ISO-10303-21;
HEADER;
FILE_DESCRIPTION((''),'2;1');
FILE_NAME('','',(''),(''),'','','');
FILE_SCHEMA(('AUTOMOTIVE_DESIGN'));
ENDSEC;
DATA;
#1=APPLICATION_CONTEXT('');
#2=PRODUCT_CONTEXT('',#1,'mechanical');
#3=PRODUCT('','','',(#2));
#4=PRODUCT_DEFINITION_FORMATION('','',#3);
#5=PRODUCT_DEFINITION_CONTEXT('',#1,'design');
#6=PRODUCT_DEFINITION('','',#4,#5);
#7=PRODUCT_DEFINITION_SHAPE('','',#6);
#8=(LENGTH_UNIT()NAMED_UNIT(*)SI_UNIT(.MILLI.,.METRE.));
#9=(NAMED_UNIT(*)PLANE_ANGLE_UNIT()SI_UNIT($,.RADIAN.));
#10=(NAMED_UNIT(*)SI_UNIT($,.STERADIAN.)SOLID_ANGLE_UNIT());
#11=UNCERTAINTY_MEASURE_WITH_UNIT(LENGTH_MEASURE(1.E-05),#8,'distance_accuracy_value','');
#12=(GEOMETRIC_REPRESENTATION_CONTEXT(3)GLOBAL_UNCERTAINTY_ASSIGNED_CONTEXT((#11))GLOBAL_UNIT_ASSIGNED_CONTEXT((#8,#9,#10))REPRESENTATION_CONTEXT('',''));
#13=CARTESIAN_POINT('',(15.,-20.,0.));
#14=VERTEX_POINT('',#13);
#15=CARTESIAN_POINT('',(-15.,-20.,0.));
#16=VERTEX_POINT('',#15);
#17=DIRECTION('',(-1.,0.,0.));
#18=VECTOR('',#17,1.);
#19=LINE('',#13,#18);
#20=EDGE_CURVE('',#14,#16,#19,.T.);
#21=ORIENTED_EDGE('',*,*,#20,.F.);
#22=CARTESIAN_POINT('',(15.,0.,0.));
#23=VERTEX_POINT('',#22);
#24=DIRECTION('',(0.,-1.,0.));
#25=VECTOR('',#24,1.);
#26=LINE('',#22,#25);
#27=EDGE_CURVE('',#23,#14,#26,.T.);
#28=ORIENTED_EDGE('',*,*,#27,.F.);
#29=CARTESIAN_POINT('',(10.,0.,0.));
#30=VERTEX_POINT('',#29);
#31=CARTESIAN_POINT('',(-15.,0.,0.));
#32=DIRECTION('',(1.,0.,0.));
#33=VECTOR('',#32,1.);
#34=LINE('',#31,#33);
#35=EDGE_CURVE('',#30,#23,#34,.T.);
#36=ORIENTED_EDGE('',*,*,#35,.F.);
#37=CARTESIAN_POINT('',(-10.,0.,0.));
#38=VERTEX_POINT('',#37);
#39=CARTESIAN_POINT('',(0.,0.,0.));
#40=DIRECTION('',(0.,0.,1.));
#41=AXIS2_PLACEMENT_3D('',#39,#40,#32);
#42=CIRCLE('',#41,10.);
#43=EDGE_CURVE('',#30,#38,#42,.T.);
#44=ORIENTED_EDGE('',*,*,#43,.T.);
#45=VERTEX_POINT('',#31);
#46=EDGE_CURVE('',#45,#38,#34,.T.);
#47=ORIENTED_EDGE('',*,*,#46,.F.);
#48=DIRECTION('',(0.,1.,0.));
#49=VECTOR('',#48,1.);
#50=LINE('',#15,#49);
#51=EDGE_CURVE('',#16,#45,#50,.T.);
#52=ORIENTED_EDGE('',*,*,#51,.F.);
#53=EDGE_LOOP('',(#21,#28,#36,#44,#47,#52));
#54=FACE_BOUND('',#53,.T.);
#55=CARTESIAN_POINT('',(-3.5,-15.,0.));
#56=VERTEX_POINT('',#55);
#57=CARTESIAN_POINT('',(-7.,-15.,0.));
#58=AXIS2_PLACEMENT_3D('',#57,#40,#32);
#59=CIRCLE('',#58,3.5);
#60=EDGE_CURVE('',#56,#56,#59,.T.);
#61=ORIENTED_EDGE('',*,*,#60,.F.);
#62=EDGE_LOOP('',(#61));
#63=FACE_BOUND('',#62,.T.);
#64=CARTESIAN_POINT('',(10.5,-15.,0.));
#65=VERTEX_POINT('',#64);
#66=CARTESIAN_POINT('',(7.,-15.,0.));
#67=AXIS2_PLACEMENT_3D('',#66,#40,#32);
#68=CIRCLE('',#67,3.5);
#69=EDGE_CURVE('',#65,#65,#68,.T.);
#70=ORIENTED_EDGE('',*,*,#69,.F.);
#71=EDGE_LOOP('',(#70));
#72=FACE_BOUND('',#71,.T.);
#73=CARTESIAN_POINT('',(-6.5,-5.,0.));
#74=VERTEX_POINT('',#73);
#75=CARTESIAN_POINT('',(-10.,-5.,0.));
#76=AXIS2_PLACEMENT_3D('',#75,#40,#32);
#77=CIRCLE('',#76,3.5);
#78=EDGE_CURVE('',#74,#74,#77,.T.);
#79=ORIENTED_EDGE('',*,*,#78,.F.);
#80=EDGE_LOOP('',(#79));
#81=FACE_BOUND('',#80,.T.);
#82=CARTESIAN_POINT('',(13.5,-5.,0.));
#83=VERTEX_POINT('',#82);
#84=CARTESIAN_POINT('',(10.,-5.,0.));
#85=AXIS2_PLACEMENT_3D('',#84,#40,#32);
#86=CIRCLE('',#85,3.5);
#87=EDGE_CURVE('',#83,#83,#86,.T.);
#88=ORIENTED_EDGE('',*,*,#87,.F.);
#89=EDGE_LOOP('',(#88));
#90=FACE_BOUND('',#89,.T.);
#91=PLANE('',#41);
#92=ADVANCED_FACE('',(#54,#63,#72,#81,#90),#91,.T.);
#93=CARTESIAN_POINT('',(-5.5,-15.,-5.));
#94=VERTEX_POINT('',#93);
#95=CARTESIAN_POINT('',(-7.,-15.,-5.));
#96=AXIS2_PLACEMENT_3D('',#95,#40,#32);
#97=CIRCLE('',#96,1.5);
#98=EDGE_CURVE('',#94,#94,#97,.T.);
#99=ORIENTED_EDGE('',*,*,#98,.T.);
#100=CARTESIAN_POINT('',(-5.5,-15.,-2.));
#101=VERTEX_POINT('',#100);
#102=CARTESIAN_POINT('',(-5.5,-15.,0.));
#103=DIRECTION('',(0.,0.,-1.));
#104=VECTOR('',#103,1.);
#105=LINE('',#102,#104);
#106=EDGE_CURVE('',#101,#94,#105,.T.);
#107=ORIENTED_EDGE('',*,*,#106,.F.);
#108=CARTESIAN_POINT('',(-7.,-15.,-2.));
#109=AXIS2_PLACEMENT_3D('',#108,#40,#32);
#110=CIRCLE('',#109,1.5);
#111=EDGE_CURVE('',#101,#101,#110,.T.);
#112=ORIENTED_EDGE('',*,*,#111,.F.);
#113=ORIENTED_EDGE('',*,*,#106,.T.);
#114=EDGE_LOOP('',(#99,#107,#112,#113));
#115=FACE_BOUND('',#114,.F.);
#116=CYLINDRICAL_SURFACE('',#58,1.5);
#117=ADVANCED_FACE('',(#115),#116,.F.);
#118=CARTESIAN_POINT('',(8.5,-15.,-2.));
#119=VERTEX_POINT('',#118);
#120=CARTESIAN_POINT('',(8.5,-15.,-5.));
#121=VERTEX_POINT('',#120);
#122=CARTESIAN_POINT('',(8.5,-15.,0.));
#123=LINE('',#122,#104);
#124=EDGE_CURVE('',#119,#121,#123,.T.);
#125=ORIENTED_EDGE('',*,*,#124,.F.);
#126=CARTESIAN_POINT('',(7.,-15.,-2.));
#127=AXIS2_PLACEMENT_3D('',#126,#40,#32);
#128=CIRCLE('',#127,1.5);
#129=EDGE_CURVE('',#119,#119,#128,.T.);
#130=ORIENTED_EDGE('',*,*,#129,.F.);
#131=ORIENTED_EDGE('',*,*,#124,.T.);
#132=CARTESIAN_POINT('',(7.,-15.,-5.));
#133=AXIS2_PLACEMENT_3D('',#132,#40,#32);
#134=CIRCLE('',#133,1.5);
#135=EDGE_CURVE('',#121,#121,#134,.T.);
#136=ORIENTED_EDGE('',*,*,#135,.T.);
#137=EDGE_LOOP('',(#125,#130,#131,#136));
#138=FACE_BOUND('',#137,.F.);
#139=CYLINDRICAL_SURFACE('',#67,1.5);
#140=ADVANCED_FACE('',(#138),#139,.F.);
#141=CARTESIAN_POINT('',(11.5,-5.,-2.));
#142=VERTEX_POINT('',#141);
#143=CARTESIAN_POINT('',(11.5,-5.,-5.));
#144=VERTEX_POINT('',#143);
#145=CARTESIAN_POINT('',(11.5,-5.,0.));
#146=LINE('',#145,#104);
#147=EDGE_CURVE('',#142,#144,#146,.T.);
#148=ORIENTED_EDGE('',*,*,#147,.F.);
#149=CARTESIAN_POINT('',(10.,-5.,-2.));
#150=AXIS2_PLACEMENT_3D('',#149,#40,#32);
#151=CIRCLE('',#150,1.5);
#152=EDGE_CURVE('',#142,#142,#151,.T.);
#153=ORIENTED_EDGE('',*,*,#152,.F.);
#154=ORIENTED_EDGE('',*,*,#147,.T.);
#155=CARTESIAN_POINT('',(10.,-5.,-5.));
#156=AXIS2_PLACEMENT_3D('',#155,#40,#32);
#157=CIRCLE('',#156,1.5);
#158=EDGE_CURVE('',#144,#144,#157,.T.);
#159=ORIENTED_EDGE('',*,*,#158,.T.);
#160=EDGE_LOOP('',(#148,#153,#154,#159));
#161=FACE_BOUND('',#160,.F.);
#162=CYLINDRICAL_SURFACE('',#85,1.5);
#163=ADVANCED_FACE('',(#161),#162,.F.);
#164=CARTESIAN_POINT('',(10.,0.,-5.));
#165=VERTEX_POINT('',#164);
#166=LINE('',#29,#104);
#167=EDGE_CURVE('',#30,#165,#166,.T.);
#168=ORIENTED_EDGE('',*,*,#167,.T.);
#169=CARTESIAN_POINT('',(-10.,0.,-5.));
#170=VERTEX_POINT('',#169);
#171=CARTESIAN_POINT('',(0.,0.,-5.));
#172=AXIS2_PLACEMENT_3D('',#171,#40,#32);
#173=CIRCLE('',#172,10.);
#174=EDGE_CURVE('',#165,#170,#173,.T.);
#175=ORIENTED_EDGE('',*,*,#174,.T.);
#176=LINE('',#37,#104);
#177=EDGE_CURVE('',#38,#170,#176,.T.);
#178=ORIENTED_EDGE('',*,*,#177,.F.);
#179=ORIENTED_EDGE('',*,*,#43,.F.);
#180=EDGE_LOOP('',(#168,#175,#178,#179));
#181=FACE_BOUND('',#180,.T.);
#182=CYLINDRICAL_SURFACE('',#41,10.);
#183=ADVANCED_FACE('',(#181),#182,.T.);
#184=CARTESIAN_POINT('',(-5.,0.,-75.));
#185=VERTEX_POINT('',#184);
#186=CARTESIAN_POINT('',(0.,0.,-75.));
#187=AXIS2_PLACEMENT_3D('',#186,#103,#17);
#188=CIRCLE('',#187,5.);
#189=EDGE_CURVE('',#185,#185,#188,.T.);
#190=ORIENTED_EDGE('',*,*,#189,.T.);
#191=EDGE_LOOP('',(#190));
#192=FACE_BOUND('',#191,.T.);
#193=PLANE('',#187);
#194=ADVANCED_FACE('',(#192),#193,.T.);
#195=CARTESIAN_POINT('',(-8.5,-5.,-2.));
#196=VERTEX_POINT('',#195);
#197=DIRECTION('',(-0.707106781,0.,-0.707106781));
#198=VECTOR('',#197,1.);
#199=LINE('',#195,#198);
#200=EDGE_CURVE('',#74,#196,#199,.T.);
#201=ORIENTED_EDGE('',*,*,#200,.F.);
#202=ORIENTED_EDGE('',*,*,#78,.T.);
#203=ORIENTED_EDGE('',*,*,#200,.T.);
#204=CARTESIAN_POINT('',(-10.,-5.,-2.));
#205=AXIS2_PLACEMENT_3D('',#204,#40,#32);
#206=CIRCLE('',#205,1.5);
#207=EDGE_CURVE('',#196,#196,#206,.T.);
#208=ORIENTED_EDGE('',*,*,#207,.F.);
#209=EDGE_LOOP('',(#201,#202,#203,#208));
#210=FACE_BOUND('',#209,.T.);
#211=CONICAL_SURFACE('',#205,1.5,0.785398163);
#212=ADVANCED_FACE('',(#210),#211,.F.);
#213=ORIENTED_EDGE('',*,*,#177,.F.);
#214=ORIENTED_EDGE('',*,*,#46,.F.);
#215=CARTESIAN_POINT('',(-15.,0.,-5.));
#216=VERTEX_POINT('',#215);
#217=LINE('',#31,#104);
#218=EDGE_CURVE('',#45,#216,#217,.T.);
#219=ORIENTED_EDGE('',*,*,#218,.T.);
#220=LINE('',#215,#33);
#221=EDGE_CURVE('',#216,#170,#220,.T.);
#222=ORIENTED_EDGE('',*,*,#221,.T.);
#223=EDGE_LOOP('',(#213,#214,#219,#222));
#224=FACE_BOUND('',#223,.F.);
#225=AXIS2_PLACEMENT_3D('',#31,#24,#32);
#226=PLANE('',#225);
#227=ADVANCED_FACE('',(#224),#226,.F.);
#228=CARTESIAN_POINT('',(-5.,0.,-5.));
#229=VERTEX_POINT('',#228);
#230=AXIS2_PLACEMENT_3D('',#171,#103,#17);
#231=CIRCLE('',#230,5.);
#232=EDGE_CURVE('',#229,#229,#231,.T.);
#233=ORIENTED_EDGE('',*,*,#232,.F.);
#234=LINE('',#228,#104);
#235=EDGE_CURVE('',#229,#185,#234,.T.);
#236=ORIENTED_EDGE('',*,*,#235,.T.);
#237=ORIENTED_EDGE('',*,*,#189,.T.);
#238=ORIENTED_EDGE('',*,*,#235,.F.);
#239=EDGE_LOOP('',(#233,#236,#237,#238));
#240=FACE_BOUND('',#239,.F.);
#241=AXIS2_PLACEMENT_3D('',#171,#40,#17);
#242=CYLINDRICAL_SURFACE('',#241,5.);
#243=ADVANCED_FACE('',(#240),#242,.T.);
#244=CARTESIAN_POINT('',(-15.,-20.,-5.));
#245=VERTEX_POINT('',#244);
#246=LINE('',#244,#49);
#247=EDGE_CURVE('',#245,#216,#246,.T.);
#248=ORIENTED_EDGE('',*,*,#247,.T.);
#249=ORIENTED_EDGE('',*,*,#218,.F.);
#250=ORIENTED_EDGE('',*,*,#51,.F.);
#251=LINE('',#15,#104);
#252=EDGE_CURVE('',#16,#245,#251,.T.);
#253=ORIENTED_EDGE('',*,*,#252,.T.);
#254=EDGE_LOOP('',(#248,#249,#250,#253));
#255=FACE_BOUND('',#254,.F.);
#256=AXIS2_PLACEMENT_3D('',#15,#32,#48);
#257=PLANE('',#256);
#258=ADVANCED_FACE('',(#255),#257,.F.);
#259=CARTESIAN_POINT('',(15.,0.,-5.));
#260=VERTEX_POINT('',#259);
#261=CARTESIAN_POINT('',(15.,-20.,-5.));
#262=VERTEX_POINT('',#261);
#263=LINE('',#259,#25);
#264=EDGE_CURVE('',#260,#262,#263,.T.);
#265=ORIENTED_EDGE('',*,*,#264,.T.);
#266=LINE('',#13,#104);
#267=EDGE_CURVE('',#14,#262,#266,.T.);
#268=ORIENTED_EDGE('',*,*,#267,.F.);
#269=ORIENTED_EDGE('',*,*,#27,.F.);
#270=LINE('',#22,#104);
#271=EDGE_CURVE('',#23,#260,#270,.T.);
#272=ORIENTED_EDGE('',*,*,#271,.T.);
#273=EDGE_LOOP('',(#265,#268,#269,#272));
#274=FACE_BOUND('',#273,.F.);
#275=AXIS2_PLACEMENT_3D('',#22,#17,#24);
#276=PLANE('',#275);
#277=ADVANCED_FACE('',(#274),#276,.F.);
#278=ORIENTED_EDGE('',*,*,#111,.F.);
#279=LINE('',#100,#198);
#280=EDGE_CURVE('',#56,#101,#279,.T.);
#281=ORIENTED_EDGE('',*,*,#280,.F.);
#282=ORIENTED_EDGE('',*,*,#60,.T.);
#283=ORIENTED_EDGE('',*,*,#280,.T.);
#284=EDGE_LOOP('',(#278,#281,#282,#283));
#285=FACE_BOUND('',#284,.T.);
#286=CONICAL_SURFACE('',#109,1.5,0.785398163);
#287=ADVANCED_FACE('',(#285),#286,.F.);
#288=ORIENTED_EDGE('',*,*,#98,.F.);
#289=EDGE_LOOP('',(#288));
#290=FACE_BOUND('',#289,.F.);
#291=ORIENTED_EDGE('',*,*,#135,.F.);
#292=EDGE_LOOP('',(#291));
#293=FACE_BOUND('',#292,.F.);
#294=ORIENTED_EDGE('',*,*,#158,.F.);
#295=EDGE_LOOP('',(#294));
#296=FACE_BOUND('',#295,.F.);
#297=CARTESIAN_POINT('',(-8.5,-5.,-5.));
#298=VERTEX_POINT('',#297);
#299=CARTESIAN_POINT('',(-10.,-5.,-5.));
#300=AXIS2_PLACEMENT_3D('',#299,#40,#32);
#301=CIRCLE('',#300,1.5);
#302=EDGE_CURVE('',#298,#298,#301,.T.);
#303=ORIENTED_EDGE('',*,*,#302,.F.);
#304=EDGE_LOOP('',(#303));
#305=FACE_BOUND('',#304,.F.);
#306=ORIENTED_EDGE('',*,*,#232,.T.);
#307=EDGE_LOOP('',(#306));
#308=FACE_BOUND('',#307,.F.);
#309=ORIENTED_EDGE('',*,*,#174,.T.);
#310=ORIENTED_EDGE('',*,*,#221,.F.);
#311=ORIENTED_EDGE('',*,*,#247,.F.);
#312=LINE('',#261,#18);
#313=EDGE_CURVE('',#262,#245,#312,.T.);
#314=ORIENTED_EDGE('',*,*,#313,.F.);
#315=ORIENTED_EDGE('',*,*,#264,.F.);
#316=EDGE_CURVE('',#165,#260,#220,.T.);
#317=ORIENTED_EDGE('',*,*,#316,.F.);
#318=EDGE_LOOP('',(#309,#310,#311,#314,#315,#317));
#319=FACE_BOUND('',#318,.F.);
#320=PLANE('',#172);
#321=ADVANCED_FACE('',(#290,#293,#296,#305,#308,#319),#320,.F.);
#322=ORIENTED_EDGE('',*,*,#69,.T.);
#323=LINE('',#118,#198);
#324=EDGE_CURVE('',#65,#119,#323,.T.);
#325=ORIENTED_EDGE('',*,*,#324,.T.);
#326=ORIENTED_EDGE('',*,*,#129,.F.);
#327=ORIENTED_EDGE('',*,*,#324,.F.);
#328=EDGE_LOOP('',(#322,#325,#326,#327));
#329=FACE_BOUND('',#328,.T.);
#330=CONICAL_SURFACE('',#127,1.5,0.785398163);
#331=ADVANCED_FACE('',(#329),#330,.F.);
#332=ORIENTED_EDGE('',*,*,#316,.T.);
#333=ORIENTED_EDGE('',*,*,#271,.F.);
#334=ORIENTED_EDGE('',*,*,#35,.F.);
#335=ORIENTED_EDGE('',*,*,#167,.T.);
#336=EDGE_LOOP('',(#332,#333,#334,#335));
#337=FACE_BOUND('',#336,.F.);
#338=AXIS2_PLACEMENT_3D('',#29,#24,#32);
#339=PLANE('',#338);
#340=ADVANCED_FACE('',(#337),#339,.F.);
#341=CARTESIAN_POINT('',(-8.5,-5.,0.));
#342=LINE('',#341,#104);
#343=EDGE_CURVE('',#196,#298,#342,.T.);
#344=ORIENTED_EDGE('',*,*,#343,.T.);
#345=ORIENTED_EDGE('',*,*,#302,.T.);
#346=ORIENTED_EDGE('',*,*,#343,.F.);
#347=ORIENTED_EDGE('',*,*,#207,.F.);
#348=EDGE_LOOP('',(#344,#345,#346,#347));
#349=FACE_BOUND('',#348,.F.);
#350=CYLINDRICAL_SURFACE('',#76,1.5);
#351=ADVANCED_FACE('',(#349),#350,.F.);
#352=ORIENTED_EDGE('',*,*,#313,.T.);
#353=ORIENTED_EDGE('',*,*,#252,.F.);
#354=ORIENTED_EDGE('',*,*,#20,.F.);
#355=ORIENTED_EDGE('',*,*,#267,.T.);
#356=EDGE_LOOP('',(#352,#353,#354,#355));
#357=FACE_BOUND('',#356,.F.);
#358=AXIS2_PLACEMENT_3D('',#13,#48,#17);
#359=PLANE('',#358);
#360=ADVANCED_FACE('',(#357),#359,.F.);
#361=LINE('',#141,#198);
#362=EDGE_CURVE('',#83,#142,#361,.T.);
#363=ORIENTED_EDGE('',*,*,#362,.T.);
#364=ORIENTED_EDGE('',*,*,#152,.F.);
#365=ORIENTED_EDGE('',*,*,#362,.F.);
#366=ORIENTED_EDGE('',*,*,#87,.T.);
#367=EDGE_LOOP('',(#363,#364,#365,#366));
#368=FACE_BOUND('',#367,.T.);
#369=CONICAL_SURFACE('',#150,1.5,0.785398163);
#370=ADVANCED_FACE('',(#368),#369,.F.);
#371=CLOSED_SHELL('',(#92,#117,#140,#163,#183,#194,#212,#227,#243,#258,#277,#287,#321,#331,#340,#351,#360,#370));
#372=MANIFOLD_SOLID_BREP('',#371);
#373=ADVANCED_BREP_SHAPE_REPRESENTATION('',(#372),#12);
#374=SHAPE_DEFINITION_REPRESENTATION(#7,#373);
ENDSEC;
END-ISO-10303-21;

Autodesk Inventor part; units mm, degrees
ref_plane "YZ Plane" through (0, 0, 0) normal (1, 0, 0) x (0, 1, 0)
ref_plane "XZ Plane" through (0, 0, 0) normal (0, 1, 0) x (-1, 0, 0)
ref_plane "XY Plane" through (0, 0, 0) normal (0, 0, 1) x (1, 0, 0)
sketch "草图1" plane through (0, 0, 0) normal (0, 0, 1) x (1, 0, 0)
  arc A0 (10, 0) -> (-10, 0) centre (0, 0) ccw
  line L0 (-15, 0) -> (15, 0)
  line L1 (15, 0) -> (15, -20)
  line L2 (15, -20) -> (-15, -20)
  line L3 (-15, -20) -> (-15, 0)
  circle A1 centre (10, -5) radius 1.5
  circle A2 centre (7, -15) radius 1.5
  circle A3 centre (-10, -5) radius 1.5
  circle A4 centre (-7, -15) radius 1.5
  dimension "d0" = 20
  dimension "d1" = 30
  dimension "d2" = 20
  dimension "d3" = 3
  dimension "d4" = 3
  dimension "d5" = 3
  dimension "d6" = 3
  dimension "d7" = 5
  dimension "d8" = 5
  dimension "d9" = 5
  dimension "d10" = 5
  dimension "d11" = 8
  dimension "d12" = 5
  dimension "d13" = 5
  dimension "d14" = 8
extrude "拉伸1" add sketch "草图1" against normal blind 5
sketch "草图2" plane through (0, 0, -5) normal (0, 0, -1) x (-1, 0, 0)
  circle A0 centre (0, 0) radius 5
  dimension "d17" = 10
extrude "拉伸2" add sketch "草图2" along normal blind 70
chamfer "倒角1" distance 2 angle 45 4 edges at (-11.5, -5, 0) (-8.5, -15, 0) (5.5, -15, 0) (8.5, -5, 0)
properties part number "夹具固定销"
